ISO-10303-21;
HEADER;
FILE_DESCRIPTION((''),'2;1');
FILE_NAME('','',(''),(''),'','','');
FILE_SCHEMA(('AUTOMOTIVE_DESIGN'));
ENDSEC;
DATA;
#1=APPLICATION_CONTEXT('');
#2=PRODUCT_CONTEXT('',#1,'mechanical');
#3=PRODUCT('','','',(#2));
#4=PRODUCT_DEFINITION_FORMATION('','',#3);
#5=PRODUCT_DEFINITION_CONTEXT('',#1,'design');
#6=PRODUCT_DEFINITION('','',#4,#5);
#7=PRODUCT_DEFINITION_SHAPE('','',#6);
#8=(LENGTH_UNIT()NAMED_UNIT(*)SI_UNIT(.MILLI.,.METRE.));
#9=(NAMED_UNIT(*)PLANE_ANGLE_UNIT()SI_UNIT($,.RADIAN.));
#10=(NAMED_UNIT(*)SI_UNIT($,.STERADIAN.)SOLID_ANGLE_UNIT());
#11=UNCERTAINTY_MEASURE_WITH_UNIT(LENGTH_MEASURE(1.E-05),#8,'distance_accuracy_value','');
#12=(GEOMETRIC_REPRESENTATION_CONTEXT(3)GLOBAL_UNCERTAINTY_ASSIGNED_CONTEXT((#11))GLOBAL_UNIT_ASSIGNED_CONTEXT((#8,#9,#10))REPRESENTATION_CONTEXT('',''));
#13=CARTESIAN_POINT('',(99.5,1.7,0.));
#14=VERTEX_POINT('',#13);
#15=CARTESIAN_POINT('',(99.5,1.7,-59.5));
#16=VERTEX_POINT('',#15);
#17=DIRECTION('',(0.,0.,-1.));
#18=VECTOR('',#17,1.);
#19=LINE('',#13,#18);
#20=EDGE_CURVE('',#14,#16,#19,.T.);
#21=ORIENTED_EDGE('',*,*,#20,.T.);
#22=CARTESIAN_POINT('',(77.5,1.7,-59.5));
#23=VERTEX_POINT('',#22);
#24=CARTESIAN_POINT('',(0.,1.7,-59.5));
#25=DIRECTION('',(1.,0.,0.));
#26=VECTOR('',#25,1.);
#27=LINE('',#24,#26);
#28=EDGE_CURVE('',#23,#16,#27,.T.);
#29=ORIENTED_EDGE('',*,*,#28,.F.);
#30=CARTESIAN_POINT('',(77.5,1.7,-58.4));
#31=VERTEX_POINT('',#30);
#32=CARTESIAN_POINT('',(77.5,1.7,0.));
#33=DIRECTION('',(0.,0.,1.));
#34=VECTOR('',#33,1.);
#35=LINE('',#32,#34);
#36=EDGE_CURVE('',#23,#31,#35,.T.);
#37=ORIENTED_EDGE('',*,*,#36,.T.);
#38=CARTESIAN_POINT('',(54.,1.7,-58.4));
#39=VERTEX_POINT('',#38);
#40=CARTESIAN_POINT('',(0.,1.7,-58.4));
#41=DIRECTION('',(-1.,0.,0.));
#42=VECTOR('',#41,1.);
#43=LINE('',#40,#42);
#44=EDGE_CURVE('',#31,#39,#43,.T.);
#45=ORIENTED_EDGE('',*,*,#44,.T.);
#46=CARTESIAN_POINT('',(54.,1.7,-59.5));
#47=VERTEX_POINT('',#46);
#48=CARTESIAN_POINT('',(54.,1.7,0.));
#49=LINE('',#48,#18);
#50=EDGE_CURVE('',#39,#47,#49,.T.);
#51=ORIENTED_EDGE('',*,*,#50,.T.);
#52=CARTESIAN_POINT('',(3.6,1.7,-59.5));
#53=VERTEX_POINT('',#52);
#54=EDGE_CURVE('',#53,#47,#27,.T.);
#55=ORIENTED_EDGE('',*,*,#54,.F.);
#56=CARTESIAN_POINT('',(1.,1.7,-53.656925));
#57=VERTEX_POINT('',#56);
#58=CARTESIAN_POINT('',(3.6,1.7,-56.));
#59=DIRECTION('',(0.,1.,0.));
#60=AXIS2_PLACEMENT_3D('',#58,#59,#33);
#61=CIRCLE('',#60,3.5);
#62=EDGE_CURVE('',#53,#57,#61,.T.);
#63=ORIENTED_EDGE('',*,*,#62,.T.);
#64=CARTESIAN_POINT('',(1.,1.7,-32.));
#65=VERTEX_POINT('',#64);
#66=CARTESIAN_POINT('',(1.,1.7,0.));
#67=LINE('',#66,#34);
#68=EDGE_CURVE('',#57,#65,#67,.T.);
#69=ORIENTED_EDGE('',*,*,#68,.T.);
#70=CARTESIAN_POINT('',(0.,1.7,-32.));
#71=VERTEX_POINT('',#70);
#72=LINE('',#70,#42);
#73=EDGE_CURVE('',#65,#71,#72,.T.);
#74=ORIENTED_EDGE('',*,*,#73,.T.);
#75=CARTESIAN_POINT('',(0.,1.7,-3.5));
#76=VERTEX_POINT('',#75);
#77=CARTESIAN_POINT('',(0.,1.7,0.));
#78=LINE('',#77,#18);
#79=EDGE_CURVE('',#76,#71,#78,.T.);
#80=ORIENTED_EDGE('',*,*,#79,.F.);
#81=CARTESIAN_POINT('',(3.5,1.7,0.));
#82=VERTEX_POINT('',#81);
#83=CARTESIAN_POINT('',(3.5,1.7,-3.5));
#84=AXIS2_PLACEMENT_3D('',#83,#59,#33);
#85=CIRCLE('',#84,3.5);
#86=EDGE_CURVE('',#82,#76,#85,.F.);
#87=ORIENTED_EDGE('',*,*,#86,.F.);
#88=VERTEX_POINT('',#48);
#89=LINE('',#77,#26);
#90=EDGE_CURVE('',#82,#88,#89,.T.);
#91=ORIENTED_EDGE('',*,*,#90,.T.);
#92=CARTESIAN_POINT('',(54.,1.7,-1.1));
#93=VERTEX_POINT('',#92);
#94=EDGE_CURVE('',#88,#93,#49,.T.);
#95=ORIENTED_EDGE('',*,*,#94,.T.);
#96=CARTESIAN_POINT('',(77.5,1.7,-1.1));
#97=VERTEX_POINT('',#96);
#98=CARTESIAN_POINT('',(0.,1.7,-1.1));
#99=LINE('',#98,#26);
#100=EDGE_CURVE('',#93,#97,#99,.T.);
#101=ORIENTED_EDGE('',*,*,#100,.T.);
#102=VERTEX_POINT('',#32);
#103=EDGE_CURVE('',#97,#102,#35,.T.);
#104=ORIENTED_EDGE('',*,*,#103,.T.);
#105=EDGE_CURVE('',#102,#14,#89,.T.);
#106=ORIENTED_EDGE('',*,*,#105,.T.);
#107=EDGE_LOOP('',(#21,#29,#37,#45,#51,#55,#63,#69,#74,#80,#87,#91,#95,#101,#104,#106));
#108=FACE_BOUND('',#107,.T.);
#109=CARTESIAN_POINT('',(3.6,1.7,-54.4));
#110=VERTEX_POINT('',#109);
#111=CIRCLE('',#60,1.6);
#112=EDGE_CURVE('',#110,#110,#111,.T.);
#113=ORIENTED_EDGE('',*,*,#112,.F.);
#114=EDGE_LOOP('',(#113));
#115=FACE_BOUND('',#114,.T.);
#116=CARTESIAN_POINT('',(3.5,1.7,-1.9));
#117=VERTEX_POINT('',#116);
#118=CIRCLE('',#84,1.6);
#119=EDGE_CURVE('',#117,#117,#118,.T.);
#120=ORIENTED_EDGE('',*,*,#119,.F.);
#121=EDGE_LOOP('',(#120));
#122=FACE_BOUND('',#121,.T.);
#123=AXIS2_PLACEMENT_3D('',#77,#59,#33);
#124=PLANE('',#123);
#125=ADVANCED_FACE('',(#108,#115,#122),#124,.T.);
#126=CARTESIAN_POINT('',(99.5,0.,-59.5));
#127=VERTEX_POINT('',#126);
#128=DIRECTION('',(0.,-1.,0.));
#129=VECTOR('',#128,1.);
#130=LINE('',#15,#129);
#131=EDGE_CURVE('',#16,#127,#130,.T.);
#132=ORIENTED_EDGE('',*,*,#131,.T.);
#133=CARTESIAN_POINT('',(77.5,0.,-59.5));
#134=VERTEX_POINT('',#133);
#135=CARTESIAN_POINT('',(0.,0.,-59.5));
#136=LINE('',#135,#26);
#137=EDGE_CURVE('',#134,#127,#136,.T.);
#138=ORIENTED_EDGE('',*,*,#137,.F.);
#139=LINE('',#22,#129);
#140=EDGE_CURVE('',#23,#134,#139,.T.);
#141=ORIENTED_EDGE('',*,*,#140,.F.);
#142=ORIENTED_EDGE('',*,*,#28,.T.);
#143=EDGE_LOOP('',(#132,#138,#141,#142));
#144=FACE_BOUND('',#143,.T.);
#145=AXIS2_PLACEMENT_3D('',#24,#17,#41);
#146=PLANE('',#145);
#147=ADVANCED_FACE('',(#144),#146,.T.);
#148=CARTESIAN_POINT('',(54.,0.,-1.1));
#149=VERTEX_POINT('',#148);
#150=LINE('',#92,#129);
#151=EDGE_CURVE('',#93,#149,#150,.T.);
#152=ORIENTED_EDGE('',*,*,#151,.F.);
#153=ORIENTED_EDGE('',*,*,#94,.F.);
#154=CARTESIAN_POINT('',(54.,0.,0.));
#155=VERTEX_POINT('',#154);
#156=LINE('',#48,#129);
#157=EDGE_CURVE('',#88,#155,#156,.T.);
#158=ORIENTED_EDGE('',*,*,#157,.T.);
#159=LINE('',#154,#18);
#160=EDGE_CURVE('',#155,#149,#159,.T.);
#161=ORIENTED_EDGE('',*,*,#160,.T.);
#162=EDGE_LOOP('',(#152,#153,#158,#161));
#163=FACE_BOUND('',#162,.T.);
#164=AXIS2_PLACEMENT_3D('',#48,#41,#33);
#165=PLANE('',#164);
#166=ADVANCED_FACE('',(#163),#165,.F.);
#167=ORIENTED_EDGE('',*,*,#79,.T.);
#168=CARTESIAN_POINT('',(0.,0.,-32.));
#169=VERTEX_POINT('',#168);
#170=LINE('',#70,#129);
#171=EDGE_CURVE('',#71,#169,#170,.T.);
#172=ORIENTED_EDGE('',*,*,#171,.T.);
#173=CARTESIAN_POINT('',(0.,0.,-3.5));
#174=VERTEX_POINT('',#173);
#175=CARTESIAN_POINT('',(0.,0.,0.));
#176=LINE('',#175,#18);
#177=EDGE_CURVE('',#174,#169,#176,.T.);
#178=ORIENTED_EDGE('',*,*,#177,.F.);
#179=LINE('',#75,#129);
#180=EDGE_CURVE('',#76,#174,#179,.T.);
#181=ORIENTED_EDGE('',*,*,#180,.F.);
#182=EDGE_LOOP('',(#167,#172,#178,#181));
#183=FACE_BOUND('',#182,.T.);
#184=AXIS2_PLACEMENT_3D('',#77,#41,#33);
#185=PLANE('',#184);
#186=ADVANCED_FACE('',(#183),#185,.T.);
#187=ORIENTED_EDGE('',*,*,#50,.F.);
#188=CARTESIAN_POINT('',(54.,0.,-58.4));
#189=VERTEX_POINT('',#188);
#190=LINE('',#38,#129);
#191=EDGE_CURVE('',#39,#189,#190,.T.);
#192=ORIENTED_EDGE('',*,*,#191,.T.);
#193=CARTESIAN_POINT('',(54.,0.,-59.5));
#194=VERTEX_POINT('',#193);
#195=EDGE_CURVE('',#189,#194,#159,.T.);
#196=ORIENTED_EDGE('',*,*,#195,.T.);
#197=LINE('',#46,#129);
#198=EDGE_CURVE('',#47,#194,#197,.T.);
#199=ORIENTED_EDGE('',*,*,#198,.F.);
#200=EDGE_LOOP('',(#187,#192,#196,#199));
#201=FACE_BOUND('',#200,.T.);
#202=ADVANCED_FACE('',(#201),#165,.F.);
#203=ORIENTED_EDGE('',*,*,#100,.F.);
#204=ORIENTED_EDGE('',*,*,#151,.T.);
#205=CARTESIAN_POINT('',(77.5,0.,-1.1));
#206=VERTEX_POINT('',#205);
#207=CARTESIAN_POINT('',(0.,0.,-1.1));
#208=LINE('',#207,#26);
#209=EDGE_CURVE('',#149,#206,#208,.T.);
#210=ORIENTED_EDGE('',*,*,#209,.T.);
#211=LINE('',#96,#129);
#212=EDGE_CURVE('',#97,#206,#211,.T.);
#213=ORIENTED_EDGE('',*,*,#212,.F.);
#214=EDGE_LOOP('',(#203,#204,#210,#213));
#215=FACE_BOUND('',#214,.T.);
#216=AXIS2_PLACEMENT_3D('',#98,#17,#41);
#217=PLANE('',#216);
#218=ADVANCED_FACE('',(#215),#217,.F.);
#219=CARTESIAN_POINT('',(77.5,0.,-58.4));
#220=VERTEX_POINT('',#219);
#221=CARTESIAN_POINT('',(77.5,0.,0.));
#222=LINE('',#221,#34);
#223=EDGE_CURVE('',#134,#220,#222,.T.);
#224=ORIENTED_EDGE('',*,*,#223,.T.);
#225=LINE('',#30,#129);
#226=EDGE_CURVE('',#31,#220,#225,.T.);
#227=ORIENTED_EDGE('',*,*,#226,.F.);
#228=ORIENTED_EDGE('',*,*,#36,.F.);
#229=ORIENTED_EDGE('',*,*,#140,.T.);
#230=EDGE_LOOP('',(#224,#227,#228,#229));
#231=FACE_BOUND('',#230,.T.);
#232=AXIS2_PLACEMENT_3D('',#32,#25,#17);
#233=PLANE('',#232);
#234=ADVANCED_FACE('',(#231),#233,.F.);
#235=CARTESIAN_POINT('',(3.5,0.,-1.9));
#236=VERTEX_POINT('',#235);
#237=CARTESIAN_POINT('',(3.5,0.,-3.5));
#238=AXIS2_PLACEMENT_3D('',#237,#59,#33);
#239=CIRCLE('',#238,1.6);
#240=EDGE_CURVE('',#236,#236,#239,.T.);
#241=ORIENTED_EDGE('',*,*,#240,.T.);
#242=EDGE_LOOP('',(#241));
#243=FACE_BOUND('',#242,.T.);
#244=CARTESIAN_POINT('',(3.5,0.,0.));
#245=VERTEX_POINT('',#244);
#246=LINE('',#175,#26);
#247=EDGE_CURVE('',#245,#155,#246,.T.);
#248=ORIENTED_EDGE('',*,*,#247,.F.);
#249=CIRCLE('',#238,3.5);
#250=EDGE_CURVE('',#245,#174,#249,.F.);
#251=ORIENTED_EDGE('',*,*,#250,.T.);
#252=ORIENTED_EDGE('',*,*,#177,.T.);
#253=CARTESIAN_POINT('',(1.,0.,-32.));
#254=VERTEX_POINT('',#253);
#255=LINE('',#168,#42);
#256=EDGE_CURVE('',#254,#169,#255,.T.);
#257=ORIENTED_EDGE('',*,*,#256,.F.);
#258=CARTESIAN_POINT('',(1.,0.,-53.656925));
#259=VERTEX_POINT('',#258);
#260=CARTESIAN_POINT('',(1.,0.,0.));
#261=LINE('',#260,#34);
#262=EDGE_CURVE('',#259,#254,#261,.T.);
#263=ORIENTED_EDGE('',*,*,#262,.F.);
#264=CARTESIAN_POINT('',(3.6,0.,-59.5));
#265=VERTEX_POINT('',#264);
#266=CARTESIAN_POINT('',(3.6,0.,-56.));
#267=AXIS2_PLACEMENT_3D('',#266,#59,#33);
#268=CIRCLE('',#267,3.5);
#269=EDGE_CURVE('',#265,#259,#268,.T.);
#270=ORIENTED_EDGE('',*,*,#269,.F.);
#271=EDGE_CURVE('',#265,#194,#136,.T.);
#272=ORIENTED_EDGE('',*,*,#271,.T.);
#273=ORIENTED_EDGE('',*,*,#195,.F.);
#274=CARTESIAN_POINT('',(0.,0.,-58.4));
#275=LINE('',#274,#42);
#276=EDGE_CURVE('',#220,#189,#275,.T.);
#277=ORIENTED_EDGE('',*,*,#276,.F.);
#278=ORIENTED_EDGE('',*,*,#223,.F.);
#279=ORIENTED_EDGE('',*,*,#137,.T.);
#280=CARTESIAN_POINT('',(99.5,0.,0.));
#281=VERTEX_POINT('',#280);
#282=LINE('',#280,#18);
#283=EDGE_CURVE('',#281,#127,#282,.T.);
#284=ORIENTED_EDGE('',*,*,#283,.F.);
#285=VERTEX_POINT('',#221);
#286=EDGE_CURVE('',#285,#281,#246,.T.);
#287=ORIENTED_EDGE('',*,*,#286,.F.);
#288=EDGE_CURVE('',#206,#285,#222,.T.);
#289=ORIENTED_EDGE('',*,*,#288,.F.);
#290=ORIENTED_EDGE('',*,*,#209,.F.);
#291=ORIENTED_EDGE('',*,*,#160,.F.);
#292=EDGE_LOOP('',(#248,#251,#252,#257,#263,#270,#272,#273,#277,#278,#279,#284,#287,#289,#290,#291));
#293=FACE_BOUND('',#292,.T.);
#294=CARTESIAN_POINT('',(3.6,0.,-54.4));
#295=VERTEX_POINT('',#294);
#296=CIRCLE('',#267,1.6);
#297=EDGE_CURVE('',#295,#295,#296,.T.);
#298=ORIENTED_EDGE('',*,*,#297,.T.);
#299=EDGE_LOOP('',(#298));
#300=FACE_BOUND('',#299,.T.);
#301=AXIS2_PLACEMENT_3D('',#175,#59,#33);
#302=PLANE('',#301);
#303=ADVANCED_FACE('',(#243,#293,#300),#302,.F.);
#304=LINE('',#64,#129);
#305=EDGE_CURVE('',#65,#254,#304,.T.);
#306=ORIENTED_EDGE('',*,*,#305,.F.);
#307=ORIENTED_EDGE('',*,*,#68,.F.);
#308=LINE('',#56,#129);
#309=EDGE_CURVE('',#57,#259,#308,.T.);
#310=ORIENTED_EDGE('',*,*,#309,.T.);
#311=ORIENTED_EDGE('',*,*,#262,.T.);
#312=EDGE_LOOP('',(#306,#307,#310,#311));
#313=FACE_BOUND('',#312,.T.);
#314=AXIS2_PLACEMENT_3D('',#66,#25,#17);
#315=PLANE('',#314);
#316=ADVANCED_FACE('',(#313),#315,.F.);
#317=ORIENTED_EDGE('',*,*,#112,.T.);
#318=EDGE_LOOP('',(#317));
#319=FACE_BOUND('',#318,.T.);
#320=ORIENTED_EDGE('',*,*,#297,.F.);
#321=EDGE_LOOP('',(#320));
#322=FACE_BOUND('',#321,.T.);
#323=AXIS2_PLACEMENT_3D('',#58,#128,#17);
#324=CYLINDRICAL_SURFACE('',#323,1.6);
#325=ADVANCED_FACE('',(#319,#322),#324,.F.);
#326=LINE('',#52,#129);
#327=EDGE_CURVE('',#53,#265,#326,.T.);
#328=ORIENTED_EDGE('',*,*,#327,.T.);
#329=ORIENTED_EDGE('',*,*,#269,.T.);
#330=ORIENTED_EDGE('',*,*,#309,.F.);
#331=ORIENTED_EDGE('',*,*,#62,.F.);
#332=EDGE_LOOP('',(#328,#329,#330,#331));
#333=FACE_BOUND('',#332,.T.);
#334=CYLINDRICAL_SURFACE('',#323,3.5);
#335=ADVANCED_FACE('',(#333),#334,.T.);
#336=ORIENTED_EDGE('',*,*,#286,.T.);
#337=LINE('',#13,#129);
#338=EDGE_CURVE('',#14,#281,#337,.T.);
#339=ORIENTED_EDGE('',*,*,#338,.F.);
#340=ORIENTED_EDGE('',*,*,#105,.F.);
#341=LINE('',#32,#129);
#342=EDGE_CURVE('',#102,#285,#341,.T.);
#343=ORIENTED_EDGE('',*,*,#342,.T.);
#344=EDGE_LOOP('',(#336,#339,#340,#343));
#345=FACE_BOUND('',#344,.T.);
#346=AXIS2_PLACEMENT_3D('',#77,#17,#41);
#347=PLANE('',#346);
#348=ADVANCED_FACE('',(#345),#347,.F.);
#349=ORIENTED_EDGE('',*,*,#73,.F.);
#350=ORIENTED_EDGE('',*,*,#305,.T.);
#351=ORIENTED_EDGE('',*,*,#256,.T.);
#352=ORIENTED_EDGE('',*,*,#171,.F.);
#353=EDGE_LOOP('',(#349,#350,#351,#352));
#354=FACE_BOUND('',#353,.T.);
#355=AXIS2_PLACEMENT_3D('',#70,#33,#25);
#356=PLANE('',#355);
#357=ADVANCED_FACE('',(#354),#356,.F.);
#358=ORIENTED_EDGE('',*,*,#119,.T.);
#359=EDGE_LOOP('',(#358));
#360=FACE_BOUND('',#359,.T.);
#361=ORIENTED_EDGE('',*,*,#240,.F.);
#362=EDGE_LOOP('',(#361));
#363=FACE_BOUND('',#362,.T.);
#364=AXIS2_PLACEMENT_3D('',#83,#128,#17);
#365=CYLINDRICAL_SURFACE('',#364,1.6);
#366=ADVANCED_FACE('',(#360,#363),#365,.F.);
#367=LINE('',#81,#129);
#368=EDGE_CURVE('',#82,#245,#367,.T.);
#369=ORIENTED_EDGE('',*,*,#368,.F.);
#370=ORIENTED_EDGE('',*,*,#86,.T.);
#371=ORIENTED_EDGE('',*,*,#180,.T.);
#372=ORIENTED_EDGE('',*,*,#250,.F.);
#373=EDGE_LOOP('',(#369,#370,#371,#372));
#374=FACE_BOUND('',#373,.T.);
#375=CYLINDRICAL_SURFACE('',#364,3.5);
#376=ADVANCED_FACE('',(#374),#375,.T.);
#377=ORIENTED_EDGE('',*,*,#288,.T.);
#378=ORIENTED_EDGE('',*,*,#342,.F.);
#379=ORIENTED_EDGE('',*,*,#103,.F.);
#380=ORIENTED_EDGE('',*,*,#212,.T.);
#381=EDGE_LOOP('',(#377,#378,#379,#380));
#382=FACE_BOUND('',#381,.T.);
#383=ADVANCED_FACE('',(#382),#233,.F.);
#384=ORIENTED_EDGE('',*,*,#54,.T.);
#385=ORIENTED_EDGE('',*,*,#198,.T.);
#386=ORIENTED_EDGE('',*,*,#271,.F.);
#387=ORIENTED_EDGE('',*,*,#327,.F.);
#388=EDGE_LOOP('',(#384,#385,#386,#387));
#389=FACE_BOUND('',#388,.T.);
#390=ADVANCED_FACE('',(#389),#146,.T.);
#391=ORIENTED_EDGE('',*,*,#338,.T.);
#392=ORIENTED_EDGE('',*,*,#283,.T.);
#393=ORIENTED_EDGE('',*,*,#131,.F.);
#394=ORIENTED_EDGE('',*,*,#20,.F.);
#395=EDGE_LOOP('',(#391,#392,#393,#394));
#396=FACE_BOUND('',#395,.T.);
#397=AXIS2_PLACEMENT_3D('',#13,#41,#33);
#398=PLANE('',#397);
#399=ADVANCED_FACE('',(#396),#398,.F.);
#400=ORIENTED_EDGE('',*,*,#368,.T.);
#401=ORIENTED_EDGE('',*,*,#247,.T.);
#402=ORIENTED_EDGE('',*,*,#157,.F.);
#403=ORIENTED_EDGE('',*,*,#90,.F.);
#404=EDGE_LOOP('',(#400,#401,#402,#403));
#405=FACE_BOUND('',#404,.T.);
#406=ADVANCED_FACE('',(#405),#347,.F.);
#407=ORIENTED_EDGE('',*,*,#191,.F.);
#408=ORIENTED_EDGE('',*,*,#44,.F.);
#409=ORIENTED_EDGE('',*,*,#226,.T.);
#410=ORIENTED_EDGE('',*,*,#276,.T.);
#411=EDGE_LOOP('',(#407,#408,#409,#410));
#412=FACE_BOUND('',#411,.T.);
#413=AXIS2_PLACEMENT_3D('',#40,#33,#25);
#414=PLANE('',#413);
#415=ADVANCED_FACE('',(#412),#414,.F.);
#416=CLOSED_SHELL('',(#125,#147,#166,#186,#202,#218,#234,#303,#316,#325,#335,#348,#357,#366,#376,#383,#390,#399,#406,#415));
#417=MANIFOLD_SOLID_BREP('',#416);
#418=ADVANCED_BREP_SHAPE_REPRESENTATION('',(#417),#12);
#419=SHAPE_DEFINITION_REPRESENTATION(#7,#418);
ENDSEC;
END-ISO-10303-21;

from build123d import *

# Parameters (mm, degrees)
SKETCH1_R           = 1.6
BOSS_EXTRUDE1_DEPTH = 1.7


with BuildPart() as part:
    # Sketch1 → Boss-Extrude1 (new body)
    with BuildSketch(Plane(origin=(0, 0, 0), x_dir=(1, 0, 0), z_dir=(0, 1, 0))):
        with BuildLine():
            ThreePointArc((0, 3.5), (1.025126266, 1.025126266), (3.5, 0))
            Line((3.5, 0), (54, 0))
            Line((54, 0), (54, 1.1))
            Line((54, 1.1), (77.5, 1.1))
            Line((77.5, 1.1), (77.5, 0))
            Line((77.5, 0), (99.5, 0))
            Line((99.5, 0), (99.5, 59.5))
            Line((99.5, 59.5), (77.5, 59.5))
            Line((77.5, 59.5), (77.5, 58.4))
            Line((77.5, 58.4), (54, 58.4))
            Line((54, 58.4), (54, 59.5))
            Line((54, 59.5), (3.6, 59.5))
            ThreePointArc((3.6, 59.5), (0.402285022, 57.422891043), (1, 53.656925097))
            Line((1, 53.656925097), (1, 32))
            Line((1, 32), (0, 32))
            Line((0, 32), (0, 3.5))
        make_face()
        with Locations(Location((3.5, 3.5, 0), (0, 0, 270))):
            Circle(SKETCH1_R, mode=Mode.SUBTRACT)
        with Locations(Location((3.6, 56, 0), (0, 0, 270))):
            Circle(SKETCH1_R, mode=Mode.SUBTRACT)
    extrude(amount=BOSS_EXTRUDE1_DEPTH)


solid = part.part
